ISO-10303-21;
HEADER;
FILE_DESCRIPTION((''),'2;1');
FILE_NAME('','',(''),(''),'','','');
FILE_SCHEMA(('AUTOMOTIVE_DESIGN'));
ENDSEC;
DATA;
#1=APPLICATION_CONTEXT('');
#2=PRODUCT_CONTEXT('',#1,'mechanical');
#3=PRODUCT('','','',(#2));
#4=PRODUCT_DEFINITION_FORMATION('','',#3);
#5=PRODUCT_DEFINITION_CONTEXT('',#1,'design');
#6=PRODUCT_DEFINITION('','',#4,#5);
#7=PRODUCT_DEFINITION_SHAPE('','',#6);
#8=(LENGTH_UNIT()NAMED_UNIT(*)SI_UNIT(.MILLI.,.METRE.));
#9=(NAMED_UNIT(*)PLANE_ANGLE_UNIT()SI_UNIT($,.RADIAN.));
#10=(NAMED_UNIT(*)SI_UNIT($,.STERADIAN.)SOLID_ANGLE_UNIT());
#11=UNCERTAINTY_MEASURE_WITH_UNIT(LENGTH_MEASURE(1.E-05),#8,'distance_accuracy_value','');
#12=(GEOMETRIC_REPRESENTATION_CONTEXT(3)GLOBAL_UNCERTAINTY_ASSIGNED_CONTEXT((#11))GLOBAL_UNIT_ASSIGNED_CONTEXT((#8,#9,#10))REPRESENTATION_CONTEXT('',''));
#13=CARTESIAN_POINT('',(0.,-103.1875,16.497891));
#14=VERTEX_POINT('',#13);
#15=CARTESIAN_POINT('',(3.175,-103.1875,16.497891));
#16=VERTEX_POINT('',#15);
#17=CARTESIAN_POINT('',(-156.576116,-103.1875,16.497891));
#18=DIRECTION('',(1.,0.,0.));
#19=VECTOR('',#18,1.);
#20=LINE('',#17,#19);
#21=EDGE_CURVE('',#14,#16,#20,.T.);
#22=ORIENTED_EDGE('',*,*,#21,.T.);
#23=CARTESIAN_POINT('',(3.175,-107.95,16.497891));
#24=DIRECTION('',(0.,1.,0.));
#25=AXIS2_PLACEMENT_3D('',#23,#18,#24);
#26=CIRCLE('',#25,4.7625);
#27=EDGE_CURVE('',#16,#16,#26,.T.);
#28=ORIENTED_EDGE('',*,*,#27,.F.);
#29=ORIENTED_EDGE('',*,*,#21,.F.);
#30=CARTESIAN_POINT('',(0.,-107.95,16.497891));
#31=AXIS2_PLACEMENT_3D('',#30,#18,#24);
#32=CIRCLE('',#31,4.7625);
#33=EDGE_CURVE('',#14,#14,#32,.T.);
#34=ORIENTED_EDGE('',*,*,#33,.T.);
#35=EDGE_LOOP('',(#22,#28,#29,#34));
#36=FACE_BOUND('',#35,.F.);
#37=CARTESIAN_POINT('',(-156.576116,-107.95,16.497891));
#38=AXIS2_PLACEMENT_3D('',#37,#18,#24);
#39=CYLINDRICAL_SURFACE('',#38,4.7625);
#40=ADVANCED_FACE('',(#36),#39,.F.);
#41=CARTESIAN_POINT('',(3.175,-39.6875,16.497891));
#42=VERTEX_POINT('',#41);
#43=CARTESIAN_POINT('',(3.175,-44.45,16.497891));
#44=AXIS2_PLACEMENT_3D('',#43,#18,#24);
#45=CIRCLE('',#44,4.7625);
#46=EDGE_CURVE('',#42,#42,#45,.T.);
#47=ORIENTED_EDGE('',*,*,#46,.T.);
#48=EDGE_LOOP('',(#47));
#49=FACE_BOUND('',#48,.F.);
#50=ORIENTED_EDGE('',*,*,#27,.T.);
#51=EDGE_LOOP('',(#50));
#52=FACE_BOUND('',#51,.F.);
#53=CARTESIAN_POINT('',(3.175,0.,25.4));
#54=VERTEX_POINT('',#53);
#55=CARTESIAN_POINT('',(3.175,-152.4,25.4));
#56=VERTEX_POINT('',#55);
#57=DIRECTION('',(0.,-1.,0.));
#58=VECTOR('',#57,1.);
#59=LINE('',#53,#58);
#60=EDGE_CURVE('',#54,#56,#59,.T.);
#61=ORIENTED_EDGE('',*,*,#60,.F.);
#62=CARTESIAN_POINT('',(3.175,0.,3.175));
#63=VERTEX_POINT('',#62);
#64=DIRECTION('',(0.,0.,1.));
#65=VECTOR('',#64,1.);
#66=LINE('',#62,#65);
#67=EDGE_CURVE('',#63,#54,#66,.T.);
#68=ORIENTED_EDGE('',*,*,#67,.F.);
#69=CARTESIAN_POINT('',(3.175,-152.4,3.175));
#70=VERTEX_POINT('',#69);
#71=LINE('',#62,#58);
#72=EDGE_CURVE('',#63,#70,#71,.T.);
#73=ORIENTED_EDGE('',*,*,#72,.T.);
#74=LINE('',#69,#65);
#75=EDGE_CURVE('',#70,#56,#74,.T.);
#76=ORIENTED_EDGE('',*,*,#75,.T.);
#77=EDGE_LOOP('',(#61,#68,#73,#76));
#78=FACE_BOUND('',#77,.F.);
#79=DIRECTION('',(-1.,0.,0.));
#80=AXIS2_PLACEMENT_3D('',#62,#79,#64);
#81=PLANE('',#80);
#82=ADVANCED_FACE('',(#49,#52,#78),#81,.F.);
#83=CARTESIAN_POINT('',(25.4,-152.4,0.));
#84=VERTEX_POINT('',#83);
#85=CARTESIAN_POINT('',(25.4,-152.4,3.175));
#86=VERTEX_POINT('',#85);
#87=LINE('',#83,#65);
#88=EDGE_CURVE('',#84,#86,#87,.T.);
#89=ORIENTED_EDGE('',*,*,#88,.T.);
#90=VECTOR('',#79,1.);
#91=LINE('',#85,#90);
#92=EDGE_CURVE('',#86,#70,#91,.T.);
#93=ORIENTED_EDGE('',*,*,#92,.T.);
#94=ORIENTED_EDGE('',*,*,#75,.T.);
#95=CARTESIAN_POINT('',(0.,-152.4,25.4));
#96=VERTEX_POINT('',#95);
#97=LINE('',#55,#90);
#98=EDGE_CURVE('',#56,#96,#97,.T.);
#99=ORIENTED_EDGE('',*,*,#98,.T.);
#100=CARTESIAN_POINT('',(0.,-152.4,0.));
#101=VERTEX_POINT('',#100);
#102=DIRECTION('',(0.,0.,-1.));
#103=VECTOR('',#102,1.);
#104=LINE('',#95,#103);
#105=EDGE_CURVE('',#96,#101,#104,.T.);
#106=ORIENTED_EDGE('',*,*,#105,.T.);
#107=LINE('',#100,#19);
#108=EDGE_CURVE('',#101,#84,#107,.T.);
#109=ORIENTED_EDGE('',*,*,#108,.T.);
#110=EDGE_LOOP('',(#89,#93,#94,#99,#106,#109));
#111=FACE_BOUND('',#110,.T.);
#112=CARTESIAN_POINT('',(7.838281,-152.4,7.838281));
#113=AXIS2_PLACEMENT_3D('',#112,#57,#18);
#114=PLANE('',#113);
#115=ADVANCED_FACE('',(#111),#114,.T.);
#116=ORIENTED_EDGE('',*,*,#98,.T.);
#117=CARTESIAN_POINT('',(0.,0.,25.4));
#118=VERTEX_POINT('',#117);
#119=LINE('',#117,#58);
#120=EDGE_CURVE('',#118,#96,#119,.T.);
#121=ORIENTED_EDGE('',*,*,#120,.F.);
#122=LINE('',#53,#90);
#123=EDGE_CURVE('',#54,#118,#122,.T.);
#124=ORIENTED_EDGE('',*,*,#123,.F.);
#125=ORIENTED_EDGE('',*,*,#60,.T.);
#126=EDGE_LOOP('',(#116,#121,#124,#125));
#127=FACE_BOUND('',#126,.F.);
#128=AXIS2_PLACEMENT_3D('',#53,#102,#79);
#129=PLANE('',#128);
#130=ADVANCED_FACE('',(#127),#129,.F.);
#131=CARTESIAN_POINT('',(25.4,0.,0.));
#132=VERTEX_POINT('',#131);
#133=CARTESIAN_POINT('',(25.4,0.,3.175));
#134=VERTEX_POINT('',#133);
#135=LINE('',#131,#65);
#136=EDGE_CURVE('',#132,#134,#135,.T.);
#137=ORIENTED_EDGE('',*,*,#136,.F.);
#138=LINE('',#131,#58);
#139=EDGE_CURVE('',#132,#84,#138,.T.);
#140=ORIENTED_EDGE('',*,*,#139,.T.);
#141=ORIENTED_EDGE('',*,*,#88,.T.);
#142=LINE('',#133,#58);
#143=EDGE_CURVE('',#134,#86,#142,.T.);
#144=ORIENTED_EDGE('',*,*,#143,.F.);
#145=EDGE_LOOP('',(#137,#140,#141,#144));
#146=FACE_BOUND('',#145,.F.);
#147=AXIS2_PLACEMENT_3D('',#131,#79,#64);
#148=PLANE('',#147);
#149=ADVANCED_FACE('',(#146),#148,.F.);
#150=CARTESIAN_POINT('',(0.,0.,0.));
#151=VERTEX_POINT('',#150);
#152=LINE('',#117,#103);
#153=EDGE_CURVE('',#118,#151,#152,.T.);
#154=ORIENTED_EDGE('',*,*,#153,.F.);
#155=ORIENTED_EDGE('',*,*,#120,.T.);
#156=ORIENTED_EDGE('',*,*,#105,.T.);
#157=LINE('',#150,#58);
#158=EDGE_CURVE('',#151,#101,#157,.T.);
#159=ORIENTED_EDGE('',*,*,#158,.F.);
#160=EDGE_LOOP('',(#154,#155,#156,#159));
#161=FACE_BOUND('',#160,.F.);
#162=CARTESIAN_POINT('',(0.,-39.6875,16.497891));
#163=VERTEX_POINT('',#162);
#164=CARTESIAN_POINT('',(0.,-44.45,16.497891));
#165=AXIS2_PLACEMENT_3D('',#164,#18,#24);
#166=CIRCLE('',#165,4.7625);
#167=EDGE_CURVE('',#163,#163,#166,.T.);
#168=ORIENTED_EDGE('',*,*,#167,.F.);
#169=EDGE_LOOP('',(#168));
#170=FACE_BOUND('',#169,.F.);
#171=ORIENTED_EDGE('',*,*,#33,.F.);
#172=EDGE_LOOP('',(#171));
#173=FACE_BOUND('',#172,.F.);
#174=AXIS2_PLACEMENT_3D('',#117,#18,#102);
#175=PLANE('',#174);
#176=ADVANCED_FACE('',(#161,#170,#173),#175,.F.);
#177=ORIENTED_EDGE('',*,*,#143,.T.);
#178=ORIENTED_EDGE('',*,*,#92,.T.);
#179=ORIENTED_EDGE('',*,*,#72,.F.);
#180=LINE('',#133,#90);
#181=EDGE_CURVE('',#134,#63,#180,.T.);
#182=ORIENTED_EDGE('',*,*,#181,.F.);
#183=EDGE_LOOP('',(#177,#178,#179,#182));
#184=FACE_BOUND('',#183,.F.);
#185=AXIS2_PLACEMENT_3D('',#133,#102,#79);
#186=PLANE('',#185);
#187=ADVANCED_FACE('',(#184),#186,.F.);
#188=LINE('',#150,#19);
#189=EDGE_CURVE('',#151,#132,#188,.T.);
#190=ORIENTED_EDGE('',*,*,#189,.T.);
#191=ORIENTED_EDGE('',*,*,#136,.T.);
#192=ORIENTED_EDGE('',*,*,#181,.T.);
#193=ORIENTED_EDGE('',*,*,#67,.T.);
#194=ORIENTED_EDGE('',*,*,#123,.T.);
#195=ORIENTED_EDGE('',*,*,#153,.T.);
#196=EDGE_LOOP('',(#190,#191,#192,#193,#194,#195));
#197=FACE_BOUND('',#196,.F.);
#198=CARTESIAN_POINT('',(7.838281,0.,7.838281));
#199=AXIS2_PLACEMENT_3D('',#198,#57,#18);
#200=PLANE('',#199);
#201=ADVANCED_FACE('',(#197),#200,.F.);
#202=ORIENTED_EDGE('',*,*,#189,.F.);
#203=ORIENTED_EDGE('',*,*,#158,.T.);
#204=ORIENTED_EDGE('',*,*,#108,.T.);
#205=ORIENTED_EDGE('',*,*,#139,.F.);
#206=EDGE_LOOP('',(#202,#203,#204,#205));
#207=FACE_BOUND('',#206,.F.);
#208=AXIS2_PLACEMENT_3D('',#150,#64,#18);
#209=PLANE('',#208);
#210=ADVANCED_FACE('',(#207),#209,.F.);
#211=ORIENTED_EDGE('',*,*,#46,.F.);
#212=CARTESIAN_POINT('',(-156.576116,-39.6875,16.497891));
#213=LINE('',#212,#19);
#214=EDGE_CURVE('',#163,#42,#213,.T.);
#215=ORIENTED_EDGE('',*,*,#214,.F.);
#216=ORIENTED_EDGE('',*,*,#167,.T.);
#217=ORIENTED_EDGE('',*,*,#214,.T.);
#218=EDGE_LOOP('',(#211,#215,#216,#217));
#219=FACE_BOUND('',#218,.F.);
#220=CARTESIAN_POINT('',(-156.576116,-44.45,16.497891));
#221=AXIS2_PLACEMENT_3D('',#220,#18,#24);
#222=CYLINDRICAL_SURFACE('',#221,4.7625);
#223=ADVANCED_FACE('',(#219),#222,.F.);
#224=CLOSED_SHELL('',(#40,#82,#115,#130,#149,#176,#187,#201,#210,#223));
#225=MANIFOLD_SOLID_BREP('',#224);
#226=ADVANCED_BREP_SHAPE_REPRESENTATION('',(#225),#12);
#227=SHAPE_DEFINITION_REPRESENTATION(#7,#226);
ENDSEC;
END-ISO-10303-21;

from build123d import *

# Parameters (mm, degrees)
F1_DEPTH = 152.4
F3_D     = 9.525


with BuildPart() as f1:
    # F0 (on Front) → F1 (new body)
    with BuildSketch(Plane.XZ):
        Polygon((3.175, 25.4), (0, 25.4), (0, 0), (25.4, 0), (25.4, 3.175), (3.175, 3.175), align=None)
    extrude(amount=F1_DEPTH)

    # F3 (through all)
    with Locations(Plane(origin=(0, 0, 0), x_dir=(0, -1, 0), z_dir=(-1, 0, 0))):
        with Locations((44.45, 16.497891), (107.95, 16.497891)):
            Hole(F3_D / 2)


solid = f1.part
